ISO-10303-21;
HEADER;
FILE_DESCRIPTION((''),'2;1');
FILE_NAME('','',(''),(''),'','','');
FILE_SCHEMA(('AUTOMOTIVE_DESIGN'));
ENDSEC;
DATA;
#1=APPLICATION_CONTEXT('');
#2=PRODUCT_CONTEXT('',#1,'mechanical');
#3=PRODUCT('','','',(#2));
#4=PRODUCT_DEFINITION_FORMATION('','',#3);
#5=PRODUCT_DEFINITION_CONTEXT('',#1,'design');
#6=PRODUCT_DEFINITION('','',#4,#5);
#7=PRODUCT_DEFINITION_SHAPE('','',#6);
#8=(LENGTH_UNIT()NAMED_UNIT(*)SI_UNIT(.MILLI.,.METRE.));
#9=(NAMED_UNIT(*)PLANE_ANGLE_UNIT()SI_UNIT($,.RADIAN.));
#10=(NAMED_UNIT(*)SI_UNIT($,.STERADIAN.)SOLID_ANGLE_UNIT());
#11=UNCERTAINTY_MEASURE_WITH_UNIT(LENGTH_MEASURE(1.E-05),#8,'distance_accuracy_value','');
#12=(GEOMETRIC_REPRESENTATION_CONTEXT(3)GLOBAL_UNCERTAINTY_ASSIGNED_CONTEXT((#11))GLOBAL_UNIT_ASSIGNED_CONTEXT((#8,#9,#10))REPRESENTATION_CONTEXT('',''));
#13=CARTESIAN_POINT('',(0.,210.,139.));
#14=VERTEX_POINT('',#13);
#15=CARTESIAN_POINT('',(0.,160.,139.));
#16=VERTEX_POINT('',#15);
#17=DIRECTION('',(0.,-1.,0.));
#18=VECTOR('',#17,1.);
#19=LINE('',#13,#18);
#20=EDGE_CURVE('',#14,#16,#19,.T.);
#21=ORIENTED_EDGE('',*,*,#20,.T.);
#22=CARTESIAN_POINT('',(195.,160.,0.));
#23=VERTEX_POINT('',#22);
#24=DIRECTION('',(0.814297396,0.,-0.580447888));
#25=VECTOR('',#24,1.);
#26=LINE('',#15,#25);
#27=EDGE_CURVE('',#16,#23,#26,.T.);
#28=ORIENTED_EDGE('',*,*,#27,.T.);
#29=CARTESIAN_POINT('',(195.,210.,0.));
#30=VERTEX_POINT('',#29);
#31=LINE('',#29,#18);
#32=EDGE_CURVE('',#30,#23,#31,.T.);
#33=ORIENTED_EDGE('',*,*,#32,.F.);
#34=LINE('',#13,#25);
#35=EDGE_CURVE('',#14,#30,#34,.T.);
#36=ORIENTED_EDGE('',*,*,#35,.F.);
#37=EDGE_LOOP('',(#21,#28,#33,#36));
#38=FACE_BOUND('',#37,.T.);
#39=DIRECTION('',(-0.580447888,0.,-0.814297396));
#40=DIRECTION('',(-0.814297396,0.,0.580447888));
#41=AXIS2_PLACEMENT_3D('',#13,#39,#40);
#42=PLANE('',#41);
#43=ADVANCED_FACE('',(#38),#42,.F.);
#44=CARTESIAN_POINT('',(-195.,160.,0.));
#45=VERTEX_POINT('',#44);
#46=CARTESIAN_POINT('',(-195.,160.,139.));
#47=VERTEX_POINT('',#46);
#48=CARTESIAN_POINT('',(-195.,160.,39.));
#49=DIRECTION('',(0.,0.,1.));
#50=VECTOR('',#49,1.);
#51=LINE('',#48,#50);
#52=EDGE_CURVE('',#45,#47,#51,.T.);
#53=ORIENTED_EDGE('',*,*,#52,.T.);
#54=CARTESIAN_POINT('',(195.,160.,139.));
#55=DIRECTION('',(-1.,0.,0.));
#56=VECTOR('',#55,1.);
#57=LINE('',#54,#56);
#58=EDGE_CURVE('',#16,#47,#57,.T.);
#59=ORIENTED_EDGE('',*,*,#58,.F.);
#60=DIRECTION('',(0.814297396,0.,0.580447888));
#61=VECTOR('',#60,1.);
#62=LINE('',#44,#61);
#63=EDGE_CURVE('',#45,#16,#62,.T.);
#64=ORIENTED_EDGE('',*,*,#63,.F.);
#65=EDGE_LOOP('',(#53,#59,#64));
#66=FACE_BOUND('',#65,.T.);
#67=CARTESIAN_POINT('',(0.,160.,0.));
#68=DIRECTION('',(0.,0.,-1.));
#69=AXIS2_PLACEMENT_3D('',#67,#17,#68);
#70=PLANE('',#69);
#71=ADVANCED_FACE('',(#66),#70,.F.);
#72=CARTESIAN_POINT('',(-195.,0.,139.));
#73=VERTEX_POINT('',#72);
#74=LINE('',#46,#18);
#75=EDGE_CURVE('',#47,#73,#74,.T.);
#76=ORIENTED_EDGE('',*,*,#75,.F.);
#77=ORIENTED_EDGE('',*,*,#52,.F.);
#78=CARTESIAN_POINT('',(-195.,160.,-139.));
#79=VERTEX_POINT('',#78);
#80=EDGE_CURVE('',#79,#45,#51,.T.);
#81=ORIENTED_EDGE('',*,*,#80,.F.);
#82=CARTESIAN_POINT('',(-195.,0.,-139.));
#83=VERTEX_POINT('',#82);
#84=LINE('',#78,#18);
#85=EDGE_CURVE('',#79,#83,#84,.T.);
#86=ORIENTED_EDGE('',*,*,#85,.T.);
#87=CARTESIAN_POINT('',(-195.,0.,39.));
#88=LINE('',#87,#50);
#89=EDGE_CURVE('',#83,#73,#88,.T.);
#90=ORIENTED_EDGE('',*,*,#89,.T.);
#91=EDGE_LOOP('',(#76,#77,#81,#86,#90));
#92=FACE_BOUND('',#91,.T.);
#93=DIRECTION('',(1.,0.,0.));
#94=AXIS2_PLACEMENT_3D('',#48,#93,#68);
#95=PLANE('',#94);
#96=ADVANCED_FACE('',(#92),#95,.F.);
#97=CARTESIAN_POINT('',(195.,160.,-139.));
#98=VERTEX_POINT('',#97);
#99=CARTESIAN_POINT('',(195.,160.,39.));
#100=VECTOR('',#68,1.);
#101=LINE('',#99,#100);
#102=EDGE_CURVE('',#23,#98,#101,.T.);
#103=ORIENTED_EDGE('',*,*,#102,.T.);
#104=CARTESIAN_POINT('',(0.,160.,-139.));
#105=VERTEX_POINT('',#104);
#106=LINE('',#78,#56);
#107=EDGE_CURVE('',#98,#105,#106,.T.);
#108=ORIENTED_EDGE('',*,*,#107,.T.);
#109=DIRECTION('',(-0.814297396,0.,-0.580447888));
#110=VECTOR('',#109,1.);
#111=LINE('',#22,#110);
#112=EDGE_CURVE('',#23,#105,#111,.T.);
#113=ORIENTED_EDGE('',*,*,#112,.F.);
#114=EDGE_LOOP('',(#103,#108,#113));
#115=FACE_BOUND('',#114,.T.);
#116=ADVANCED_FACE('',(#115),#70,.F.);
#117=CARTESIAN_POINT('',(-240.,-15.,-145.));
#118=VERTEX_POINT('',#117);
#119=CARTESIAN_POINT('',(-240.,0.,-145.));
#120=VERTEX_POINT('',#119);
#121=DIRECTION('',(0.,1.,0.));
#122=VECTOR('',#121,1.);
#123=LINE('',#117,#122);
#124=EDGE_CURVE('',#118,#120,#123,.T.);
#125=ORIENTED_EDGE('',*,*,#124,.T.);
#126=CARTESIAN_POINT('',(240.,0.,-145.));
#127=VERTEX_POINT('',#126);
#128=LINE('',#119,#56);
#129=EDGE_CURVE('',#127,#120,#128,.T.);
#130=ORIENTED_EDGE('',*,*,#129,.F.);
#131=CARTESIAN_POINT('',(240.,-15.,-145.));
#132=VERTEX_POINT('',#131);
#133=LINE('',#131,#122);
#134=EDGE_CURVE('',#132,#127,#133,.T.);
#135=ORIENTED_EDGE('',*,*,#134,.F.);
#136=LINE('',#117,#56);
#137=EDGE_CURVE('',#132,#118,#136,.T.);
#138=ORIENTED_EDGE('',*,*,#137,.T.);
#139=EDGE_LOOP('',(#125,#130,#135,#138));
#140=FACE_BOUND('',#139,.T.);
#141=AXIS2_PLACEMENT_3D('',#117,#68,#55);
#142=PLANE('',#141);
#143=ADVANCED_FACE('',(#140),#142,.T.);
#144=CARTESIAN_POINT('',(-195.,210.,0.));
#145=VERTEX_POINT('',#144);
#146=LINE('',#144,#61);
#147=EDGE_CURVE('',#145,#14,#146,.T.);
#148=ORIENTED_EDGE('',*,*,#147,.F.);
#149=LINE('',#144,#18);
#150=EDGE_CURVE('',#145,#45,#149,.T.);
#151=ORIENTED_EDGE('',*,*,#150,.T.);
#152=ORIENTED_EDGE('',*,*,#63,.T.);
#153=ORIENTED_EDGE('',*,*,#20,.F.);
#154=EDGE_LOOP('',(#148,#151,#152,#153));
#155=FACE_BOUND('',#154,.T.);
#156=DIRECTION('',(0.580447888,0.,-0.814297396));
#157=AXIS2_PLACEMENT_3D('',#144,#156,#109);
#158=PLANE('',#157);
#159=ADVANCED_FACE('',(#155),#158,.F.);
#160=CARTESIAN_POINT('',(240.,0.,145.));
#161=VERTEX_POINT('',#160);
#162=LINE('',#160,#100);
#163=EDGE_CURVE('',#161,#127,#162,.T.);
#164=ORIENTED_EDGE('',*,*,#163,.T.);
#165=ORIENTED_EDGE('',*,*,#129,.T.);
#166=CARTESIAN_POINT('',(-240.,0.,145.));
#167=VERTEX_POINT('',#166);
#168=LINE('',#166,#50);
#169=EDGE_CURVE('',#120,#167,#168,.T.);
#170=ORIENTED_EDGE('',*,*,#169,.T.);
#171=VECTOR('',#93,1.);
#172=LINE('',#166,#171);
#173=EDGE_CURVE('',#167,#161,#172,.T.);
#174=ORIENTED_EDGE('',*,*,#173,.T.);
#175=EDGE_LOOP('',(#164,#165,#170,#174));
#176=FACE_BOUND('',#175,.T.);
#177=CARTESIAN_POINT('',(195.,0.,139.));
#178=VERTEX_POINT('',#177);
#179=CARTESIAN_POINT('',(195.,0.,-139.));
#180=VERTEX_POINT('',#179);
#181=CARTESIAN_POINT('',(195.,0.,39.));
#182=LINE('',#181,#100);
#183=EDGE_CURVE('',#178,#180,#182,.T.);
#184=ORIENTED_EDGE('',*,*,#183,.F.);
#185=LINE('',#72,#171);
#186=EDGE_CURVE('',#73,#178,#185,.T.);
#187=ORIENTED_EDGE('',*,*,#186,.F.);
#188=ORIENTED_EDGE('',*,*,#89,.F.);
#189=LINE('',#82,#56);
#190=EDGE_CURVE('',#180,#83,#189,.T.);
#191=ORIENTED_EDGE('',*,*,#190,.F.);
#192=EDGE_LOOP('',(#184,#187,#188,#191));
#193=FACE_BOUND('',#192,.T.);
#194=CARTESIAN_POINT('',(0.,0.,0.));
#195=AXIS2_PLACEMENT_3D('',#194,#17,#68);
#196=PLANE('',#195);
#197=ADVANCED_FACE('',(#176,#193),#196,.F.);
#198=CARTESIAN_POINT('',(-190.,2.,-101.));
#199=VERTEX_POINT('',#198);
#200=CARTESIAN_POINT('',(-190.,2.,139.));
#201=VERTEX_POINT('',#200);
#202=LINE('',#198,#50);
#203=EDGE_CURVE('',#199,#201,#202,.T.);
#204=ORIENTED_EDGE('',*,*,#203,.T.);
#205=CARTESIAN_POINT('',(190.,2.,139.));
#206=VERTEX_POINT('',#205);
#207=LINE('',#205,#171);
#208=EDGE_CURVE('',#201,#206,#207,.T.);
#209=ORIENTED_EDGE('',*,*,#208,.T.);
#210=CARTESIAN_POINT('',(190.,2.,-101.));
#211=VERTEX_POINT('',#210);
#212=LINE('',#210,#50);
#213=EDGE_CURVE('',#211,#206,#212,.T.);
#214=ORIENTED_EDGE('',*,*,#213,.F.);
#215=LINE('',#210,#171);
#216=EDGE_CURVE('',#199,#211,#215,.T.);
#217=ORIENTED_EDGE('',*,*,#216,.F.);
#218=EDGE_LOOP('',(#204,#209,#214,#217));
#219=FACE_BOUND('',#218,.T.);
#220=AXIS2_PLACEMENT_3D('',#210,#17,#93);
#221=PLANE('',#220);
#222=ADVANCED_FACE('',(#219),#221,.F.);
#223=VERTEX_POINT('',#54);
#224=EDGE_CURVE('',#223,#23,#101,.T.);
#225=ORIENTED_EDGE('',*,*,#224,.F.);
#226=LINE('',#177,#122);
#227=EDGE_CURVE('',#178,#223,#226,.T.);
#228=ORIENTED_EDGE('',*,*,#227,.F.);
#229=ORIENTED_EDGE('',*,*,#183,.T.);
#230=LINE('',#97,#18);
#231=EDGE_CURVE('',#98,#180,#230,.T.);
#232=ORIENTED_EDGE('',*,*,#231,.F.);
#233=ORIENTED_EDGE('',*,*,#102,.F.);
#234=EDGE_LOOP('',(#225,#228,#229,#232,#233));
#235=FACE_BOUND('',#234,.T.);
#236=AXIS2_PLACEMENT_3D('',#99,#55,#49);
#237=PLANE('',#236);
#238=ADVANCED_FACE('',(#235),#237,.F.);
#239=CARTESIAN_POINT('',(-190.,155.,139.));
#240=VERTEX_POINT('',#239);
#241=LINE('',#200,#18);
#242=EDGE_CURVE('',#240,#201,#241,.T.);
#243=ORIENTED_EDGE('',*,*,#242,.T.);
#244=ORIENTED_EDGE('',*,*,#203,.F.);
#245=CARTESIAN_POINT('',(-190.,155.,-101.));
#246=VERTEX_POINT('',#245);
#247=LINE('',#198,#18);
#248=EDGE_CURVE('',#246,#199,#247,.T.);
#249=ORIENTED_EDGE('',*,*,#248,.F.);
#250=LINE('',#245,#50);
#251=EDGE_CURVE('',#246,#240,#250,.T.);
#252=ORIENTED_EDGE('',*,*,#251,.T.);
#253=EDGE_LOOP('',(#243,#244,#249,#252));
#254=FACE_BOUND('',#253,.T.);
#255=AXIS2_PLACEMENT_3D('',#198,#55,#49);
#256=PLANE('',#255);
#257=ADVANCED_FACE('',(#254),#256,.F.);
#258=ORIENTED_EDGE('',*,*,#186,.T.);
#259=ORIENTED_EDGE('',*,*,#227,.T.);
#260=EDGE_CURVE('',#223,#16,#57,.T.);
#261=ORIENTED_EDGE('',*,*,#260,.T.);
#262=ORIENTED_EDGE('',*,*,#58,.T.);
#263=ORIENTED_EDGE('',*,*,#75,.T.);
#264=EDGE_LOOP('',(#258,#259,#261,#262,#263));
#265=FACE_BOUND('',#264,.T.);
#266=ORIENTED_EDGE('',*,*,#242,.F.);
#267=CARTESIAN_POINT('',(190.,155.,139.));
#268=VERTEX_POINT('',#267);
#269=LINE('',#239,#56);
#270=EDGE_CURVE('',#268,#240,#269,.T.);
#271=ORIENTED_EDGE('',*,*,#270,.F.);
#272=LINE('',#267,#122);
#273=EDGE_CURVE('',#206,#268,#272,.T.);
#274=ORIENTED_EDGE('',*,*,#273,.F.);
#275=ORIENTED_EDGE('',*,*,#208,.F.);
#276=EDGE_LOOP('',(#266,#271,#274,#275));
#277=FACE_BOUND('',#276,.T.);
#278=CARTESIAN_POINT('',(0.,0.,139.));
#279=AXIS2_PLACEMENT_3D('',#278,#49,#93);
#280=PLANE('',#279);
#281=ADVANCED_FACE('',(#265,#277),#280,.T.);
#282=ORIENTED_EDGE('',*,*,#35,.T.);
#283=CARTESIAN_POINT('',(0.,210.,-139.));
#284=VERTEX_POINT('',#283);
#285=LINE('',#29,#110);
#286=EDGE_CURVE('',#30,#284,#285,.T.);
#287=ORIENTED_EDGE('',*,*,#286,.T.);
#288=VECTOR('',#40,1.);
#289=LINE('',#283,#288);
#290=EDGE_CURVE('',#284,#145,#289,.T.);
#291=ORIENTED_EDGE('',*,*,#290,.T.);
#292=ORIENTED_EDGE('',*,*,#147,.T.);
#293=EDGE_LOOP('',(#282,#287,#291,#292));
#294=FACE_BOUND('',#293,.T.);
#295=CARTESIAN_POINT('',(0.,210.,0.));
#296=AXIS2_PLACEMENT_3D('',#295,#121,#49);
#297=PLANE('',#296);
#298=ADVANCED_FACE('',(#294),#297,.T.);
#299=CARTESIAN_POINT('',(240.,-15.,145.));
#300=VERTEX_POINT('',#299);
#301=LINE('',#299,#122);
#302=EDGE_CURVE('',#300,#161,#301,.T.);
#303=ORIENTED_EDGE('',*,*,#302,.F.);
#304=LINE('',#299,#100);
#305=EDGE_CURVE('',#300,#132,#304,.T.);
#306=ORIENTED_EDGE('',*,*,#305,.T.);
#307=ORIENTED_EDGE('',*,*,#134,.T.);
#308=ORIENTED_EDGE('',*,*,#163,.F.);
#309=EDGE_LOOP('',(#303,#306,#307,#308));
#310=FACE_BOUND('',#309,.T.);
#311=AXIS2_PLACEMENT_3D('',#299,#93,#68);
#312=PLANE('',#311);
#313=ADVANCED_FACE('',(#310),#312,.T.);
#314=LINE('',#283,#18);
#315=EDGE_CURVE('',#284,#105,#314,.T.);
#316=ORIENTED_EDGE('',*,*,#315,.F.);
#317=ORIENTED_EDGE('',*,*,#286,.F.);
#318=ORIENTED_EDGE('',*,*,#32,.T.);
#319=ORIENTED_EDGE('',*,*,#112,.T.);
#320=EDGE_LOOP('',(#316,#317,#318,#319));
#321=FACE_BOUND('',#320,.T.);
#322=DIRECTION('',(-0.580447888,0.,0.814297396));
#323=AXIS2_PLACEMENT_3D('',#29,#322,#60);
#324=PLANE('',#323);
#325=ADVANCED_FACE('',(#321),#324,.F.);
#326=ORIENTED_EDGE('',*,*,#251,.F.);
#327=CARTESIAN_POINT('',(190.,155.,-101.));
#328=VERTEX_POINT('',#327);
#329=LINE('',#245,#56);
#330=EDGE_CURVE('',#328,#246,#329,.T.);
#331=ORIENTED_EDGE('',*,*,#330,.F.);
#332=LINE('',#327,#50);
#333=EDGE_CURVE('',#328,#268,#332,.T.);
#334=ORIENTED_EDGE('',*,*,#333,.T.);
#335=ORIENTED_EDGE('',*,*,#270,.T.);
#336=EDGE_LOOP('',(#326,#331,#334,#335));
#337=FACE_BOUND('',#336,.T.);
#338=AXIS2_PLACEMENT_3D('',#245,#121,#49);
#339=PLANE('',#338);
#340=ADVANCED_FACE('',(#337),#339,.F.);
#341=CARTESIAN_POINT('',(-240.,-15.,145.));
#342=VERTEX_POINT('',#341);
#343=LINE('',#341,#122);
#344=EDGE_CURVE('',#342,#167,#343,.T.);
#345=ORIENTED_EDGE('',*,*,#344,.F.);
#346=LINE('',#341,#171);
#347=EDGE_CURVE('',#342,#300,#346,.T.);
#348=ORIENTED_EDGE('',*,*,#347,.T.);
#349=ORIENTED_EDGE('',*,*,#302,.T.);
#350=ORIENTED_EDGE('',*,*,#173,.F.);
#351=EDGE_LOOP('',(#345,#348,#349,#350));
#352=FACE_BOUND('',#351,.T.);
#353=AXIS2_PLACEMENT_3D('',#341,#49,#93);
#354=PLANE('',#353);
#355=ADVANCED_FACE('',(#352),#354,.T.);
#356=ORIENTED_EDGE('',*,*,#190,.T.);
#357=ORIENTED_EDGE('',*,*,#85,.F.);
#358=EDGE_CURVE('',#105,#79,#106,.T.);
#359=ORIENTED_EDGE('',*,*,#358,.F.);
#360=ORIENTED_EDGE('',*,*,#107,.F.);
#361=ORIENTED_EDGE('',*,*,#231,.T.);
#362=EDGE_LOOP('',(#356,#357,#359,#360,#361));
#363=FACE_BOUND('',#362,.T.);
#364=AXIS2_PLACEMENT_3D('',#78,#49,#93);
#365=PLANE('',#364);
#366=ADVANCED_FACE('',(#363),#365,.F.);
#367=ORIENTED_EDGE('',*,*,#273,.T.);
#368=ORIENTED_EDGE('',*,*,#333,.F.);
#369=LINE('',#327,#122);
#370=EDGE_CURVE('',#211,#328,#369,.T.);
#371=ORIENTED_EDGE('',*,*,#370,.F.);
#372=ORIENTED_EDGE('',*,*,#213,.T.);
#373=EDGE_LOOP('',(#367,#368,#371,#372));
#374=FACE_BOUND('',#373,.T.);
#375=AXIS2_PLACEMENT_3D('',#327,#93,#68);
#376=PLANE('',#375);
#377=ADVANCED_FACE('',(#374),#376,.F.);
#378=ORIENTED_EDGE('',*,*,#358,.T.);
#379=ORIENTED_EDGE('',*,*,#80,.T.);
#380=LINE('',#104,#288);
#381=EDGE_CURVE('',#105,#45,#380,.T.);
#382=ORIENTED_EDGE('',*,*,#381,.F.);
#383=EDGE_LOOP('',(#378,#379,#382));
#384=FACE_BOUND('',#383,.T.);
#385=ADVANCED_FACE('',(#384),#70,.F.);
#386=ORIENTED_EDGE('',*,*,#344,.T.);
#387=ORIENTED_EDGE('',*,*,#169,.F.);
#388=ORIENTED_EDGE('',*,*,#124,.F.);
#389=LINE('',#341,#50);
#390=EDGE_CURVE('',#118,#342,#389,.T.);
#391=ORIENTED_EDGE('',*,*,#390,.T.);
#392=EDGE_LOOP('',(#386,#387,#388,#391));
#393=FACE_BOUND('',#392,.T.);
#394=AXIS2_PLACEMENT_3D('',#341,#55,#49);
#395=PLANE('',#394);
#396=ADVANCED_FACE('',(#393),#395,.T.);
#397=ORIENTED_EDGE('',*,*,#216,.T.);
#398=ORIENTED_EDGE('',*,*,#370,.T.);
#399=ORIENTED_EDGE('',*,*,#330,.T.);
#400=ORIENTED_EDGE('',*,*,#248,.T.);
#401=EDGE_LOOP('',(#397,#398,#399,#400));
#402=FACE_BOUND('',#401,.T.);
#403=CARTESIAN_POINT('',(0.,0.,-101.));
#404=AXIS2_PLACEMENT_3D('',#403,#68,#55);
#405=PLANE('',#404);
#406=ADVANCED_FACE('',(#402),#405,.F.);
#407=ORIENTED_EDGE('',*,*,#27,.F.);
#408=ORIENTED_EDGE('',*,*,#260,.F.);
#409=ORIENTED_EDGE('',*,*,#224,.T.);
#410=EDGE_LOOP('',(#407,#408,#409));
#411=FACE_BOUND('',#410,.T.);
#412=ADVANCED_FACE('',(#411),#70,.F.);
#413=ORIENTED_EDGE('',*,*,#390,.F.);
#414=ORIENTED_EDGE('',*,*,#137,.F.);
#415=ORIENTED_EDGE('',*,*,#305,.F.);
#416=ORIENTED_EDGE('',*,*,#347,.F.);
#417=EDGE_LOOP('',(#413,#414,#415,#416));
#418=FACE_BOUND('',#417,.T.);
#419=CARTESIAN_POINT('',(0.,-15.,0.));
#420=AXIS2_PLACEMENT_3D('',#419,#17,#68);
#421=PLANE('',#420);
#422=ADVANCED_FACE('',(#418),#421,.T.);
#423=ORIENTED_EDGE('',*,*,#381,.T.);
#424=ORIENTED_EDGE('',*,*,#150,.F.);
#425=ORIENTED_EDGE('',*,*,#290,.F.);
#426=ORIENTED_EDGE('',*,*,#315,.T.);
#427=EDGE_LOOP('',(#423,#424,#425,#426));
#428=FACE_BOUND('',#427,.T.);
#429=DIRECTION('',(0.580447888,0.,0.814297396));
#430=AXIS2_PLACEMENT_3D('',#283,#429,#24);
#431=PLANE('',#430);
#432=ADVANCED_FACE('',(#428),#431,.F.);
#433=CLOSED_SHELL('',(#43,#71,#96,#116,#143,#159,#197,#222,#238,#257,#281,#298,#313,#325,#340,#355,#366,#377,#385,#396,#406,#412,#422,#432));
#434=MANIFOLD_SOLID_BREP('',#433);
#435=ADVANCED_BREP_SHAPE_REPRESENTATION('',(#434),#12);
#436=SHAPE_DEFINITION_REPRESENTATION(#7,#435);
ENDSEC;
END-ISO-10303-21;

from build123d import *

# Parameters (mm, degrees)
SKETCH_1_W          = 480
SKETCH_1_H          = 290
EXTRUDE_1_DEPTH     = 15
SKETCH_2_W          = 390
SKETCH_2_H          = 178
EXTRUDE_2_DEPTH     = 160
SKETCH_7_W          = 390
SKETCH_7_H          = 160
EXTRUDE_7_DEPTH     = 100
SKETCH_8_W          = 380
SKETCH_8_H          = 153
CUT_EXTRUDE_1_DEPTH = 240
EXTRUDE_8_DEPTH     = 50


with BuildPart() as part:
    # 草图1 → 凸台-拉伸1 (new body)
    with BuildSketch(Plane(origin=(0, 0, 0), x_dir=(1, 0, 0), z_dir=(0, 1, 0))):
        Rectangle(SKETCH_1_W, SKETCH_1_H)
    extrude(amount=-EXTRUDE_1_DEPTH)

    # 草图2 → 凸台-拉伸2 (add)
    with BuildSketch(Plane(origin=(0, 0, 0), x_dir=(1, 0, 0), z_dir=(0, 1, 0))):
        with Locations((0, 50)):
            Rectangle(SKETCH_2_W, SKETCH_2_H)
    extrude(amount=EXTRUDE_2_DEPTH)

    # 草图7 → 凸台-拉伸7 (add)
    with BuildSketch(Plane.XY.offset(39)):
        with Locations((0, 80)):
            Rectangle(SKETCH_7_W, SKETCH_7_H)
    extrude(amount=EXTRUDE_7_DEPTH)

    # 草图8 → 切除-拉伸1 (cut)
    with BuildSketch(Plane.XY.offset(139)):
        with Locations((0, 78.5)):
            Rectangle(SKETCH_8_W, SKETCH_8_H)
    extrude(amount=-CUT_EXTRUDE_1_DEPTH, mode=Mode.SUBTRACT)

    # 草图10 → 凸台-拉伸8 (add)
    with BuildSketch(Plane(origin=(0, 160, 0), x_dir=(1, 0, 0), z_dir=(0, 1, 0))):
        Polygon((0, 139), (-195, 0), (0, -139), (195, 0), align=None)
    extrude(amount=EXTRUDE_8_DEPTH)


solid = part.part
